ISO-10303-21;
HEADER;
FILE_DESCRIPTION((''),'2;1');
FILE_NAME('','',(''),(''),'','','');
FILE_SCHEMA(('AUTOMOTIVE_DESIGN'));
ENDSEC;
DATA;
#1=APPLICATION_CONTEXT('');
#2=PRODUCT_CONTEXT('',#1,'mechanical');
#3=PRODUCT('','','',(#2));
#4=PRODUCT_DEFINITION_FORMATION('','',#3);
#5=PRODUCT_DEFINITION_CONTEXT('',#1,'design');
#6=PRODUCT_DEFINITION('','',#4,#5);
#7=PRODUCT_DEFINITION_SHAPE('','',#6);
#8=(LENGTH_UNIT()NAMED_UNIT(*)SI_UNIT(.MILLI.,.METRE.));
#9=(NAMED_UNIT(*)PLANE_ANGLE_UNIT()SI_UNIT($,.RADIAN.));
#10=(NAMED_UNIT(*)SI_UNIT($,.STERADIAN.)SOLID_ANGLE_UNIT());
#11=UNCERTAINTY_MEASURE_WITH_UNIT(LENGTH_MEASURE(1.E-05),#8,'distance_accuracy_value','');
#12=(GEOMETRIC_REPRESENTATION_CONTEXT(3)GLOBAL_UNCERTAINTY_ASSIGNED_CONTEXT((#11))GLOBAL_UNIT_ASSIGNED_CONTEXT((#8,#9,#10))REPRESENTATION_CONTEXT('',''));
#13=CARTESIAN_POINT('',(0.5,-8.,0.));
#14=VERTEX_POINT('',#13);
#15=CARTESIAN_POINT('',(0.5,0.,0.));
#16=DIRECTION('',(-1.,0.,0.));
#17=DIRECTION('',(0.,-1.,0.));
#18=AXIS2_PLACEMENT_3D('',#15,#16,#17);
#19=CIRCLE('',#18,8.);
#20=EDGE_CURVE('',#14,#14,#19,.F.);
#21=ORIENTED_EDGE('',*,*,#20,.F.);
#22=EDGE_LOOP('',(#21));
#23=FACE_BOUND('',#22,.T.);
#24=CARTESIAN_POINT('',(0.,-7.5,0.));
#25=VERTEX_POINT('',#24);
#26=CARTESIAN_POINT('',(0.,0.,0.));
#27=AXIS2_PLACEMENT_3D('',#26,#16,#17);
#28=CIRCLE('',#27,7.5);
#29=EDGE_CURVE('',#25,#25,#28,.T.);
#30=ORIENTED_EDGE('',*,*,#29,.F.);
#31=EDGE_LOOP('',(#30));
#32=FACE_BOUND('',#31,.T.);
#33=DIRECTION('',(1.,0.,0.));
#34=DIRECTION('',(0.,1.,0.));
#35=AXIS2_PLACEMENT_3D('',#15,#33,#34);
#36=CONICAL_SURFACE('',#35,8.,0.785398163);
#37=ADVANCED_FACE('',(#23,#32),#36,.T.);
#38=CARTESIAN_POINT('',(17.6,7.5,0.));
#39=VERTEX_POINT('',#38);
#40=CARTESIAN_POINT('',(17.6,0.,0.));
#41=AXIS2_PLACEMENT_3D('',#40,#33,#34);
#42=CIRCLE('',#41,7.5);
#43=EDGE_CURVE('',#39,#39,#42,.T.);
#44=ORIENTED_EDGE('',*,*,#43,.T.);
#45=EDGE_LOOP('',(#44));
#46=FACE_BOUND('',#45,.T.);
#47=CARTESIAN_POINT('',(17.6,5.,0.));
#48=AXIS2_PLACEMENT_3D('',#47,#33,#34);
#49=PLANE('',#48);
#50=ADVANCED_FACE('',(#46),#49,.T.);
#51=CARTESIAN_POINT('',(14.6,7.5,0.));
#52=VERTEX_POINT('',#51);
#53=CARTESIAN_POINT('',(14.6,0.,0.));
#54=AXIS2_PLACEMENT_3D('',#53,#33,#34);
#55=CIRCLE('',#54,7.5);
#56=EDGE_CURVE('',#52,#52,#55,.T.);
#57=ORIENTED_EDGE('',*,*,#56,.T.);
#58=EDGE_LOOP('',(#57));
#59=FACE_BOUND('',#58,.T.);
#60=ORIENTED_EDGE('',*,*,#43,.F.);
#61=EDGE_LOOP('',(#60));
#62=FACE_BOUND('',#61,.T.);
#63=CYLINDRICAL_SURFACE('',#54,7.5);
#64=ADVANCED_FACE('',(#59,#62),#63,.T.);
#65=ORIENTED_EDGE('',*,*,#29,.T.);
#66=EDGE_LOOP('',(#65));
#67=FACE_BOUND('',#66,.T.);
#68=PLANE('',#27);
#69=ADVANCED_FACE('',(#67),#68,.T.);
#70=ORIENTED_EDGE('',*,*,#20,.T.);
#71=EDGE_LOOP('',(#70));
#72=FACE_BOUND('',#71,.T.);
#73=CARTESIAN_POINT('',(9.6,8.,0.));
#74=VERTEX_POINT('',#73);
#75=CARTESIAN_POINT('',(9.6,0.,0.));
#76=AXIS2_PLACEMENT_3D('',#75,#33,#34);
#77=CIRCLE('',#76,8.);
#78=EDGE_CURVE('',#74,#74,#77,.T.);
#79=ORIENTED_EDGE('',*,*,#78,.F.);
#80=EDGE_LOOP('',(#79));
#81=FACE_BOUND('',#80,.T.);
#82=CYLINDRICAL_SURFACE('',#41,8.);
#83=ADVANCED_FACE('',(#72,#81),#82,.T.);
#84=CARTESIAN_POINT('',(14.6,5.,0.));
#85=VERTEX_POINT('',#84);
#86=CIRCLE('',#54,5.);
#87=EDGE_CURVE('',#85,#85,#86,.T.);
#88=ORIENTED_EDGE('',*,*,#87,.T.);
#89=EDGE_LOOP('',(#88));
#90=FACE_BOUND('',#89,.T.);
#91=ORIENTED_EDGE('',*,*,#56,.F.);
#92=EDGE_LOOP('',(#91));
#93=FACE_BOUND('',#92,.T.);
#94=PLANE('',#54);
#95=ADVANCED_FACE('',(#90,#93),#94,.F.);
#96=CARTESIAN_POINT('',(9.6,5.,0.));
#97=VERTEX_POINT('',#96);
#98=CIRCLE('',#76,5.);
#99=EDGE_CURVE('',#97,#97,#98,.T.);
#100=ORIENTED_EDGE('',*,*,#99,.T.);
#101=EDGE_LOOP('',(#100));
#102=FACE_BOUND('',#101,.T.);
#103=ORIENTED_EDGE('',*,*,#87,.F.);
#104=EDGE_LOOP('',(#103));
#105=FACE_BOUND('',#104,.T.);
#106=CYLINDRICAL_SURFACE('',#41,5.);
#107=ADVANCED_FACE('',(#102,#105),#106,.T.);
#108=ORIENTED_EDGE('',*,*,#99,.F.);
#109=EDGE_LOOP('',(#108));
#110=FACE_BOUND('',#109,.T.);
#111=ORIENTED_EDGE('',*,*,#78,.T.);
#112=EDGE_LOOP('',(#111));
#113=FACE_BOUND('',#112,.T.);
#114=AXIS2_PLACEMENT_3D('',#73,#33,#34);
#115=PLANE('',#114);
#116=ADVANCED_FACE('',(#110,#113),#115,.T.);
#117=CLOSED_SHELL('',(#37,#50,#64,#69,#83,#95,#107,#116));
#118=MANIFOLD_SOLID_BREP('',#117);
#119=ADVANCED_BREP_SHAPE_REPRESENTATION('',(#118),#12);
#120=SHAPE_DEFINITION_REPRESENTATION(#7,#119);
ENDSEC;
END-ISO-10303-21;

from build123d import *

# Parameters (mm, degrees)
CHAMFER1_SIZE       = 0.5
SKETCH2_R           = 7.5
SKETCH2_R_2         = 5
BOSS_EXTRUDE1_DEPTH = 3


with BuildPart() as part:
    # Sketch1 → Revolve1 (revolve)
    with BuildSketch(Plane.XY):
        Polygon((0, 0), (0, 8), (9.6, 8), (9.6, 5), (17.6, 5), (17.6, 0), align=None)
    revolve(axis=Axis((17.6, 0, 0), (-1, 0, 0)))

    # Chamfer1
    chamfer1_edges = [part.edges().sort_by_distance(p)[0] for p in [
        (0, -8, 0),
    ]]
    chamfer(chamfer1_edges, length=CHAMFER1_SIZE)

    # Sketch2 → Boss-Extrude1 (add)
    with BuildSketch(Plane(origin=(17.6, 0, 0), x_dir=(0, 0, -1), z_dir=(1, 0, 0))):
        with Locations(Location((0, 0, 0), (0, 0, 90))):
            Circle(SKETCH2_R)
        with Locations(Location((0, 0, 0), (0, 0, 90))):
            Circle(SKETCH2_R_2, mode=Mode.SUBTRACT)
    extrude(amount=-BOSS_EXTRUDE1_DEPTH)


solid = part.part
